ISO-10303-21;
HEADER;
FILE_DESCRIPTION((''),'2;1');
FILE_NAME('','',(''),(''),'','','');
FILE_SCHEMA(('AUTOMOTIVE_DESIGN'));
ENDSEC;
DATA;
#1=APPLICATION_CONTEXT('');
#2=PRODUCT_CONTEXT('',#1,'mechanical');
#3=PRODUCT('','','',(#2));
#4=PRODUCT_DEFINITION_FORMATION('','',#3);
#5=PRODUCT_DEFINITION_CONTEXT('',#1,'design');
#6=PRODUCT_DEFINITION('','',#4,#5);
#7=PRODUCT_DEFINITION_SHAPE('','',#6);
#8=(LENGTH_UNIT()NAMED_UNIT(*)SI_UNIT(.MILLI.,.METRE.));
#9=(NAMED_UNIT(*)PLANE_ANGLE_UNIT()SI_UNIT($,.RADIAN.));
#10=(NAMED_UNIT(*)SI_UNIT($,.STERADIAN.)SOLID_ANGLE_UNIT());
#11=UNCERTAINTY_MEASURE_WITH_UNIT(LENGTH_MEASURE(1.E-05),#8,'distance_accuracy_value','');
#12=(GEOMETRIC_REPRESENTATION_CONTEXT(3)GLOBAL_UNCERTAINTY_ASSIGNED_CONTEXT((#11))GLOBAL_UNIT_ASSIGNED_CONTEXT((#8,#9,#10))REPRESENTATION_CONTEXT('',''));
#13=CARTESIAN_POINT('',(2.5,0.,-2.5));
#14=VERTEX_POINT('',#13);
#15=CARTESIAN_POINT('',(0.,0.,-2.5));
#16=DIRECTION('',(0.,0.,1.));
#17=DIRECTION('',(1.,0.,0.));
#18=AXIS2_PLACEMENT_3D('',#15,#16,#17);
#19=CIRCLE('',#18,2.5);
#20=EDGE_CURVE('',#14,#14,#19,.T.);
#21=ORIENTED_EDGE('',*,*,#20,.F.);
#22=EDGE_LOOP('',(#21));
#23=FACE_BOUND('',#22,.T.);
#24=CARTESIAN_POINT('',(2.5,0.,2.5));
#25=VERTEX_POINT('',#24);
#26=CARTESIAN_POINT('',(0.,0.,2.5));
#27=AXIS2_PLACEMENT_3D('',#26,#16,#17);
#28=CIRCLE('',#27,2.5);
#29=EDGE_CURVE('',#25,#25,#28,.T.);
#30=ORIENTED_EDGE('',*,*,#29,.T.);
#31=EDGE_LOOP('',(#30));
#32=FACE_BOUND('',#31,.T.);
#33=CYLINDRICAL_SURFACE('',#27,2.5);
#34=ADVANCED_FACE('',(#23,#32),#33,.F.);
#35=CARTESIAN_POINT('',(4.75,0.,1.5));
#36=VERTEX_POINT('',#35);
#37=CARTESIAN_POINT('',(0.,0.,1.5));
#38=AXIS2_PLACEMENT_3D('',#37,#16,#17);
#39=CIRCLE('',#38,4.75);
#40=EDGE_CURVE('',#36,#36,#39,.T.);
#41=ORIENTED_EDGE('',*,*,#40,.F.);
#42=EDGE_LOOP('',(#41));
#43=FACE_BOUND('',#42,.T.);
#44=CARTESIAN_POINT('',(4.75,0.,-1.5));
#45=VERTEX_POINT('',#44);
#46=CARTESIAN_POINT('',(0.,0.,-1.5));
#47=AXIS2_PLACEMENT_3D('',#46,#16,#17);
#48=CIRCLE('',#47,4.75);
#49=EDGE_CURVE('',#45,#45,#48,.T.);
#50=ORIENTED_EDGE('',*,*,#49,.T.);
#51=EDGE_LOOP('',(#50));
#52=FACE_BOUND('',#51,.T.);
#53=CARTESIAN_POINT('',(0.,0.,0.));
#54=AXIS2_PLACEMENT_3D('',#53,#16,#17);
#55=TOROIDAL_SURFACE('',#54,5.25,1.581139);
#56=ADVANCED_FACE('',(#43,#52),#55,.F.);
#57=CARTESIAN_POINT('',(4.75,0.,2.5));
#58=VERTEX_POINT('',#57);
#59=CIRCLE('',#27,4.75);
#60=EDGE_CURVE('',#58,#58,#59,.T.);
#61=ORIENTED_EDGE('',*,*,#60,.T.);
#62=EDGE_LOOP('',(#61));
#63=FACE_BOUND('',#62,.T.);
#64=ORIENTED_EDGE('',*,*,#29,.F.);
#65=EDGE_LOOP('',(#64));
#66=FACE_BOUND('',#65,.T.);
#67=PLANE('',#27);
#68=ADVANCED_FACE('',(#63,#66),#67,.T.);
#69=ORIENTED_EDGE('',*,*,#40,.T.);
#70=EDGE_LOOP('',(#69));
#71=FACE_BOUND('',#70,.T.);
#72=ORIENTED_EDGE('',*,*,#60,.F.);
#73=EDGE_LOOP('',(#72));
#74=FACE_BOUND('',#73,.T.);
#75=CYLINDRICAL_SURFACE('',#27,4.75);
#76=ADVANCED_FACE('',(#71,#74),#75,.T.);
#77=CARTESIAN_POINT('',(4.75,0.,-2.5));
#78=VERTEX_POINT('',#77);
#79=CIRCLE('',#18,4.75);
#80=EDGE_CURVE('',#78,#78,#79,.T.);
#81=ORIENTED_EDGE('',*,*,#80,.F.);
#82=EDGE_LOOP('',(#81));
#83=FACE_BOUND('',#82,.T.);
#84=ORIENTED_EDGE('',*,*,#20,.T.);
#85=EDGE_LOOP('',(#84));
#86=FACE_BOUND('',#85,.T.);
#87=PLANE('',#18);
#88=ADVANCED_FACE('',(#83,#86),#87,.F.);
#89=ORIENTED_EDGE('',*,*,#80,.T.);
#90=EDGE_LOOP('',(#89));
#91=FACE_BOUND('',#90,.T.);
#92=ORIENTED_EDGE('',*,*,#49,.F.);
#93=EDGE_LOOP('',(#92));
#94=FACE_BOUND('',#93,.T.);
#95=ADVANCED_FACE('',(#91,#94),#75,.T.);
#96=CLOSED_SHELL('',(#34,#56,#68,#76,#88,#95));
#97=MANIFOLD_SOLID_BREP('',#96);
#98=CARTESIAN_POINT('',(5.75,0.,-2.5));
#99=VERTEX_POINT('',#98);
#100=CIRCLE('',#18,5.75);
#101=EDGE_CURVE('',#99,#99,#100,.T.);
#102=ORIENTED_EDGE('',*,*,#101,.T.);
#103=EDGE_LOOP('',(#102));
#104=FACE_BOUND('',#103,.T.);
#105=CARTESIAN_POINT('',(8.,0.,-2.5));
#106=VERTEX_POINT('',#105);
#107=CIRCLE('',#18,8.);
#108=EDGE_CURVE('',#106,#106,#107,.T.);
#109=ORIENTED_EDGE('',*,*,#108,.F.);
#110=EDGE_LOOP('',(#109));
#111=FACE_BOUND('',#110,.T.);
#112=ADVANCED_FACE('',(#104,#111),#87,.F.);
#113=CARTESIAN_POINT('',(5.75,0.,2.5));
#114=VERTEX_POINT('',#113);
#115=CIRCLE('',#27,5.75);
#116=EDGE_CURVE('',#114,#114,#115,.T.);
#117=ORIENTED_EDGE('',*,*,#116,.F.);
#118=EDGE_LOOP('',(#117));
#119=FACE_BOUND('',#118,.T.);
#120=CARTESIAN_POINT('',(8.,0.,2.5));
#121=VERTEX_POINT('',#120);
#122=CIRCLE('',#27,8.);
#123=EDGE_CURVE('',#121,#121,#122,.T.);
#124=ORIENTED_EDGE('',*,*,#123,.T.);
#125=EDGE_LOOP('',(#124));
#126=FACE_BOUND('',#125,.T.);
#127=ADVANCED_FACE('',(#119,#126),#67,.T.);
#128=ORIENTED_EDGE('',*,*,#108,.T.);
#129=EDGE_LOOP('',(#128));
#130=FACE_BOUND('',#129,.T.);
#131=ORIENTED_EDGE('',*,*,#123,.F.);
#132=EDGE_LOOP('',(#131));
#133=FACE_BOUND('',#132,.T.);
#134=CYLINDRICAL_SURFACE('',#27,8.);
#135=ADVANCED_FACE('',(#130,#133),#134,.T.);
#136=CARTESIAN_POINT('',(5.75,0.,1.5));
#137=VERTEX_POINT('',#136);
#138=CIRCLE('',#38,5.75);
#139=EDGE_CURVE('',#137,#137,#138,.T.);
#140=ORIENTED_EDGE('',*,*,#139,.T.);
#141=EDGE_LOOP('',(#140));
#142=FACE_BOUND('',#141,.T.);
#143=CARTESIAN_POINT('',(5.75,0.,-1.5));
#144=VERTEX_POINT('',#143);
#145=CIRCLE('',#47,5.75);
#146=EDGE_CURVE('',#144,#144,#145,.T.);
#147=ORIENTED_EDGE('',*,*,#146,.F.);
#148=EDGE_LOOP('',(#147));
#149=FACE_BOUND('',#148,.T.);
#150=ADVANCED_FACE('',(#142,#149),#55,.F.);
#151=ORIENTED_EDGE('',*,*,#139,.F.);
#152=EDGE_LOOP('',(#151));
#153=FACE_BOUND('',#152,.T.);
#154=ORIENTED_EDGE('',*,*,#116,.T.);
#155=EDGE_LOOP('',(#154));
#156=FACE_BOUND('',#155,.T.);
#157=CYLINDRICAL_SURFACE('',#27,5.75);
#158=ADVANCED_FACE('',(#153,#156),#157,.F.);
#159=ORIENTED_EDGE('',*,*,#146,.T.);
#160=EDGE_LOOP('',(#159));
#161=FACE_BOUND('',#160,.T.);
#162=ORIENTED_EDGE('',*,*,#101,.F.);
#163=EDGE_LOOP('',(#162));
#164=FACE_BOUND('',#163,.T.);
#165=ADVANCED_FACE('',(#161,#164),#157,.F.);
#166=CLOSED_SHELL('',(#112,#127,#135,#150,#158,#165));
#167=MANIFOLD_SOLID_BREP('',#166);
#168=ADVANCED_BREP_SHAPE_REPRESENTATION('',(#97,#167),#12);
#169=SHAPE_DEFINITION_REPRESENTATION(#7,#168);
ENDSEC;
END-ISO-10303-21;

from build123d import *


with BuildPart() as part:
    # Sketch3 → Revolve1 (revolve)
    with BuildSketch(Plane(origin=(0, 0, 0), x_dir=(0, 0, -1), z_dir=(1, 0, 0))):
        with BuildLine():
            ThreePointArc((-1.5, 4.75), (0, 3.66886117), (1.5, 4.75))
            Line((1.5, 4.75), (2.5, 4.75))
            Line((2.5, 4.75), (2.5, 2.5))
            Line((2.5, 2.5), (-2.5, 2.5))
            Line((-2.5, 2.5), (-2.5, 4.75))
            Line((-2.5, 4.75), (-1.5, 4.75))
        make_face()
        with BuildLine():
            Line((-2.5, 5.75), (-1.5, 5.75))
            ThreePointArc((-1.5, 5.75), (0, 6.83113883), (1.5, 5.75))
            Line((1.5, 5.75), (2.5, 5.75))
            Line((2.5, 5.75), (2.5, 8))
            Line((2.5, 8), (-2.5, 8))
            Line((-2.5, 8), (-2.5, 5.75))
        make_face()
    revolve(axis=Axis((0, 0, 2.5), (0, 0, -1)))


solid = part.part
